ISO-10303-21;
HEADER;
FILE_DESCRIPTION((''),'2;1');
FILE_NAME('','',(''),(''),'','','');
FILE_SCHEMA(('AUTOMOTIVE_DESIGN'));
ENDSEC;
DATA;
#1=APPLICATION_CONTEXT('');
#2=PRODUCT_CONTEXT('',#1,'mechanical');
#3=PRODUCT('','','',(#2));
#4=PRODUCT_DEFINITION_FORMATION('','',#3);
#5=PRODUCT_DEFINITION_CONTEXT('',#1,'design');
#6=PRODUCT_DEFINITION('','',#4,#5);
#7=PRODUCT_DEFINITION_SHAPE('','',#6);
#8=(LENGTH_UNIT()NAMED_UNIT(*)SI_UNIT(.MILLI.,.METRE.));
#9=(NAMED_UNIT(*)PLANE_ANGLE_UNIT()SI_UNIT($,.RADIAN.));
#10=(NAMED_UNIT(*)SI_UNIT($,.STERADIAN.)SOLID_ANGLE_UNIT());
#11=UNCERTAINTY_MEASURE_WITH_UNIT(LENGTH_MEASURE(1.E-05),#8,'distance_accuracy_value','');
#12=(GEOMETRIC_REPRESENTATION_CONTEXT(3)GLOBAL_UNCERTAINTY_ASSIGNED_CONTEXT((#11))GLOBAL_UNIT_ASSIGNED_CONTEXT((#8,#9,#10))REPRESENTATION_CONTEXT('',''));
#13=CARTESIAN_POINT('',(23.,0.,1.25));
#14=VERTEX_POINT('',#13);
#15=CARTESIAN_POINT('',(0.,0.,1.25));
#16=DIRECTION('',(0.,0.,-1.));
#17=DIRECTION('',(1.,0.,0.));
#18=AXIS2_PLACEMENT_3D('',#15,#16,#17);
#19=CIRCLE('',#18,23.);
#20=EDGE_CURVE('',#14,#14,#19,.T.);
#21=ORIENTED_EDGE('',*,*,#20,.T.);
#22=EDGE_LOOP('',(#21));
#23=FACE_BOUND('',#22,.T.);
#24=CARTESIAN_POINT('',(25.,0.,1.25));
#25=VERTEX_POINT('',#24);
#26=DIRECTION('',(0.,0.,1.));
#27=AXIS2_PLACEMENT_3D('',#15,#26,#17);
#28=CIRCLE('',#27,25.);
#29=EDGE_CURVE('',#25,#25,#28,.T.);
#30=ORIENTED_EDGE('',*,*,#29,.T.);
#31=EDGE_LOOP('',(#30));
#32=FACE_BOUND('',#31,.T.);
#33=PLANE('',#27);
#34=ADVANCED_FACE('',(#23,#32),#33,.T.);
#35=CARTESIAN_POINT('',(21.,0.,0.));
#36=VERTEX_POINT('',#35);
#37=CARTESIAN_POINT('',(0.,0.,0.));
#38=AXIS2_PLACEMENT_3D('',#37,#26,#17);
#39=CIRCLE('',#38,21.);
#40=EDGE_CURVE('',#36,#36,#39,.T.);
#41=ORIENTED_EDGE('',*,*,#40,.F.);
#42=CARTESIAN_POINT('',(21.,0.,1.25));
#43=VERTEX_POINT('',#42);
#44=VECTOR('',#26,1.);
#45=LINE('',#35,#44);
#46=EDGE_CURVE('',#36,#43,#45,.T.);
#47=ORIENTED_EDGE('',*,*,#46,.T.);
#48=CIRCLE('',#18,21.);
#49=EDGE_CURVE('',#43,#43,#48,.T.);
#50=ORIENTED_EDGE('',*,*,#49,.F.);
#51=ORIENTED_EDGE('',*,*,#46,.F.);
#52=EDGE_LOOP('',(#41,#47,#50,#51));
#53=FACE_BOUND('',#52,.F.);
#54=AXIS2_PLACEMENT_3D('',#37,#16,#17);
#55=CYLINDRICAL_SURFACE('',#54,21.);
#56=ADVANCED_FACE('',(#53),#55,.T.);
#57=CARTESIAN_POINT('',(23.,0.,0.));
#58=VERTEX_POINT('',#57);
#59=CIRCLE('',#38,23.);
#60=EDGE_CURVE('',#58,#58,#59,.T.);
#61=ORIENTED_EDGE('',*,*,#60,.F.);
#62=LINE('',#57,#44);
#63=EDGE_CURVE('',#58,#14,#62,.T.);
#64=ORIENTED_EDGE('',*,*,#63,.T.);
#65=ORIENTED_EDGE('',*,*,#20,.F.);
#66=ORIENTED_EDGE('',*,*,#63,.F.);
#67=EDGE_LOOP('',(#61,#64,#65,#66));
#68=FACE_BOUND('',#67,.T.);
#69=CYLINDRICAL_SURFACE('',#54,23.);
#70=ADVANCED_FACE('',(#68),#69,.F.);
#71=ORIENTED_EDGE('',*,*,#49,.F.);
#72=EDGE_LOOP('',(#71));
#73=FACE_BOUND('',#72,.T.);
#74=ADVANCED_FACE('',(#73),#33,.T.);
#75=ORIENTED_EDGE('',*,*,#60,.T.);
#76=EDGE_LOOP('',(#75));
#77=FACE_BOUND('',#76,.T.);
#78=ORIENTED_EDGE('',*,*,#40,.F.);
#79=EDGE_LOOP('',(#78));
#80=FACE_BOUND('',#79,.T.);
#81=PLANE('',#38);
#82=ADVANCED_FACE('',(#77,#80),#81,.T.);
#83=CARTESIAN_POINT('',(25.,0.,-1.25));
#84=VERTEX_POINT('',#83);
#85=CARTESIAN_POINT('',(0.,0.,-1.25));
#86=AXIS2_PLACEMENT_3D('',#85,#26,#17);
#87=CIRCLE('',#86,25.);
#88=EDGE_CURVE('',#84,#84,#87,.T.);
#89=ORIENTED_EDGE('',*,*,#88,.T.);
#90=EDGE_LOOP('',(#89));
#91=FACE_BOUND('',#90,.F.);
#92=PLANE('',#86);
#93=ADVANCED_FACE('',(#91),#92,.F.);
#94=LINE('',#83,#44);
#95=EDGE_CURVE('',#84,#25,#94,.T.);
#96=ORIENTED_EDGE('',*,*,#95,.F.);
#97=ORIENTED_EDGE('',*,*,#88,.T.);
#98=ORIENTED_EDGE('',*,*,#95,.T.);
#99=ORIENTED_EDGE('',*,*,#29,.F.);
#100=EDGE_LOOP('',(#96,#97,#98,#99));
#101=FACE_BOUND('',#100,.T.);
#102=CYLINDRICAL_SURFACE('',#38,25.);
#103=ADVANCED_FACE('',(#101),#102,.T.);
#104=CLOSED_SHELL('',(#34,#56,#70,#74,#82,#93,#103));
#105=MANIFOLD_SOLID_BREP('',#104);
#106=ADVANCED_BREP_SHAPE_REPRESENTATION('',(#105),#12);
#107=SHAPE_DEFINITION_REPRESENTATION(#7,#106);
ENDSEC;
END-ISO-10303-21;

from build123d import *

# Parameters (mm, degrees)
F0_R     = 25
F0_R_2   = 23
F0_R_3   = 21
F1_DEPTH = 1.25
F2_DEPTH = 25


with BuildPart() as f1:
    # F0 (on Top) → F1 (new body, symmetric)
    with BuildSketch(Plane.XY):
        Circle(F0_R)
        Circle(F0_R_2, mode=Mode.SUBTRACT)
        Circle(F0_R_2)
        Circle(F0_R_3, mode=Mode.SUBTRACT)
        Circle(F0_R_3)
    extrude(amount=F1_DEPTH, both=True)

    # F0 (on Top) → F2 (cut)
    with BuildSketch(Plane.XY):
        Circle(F0_R_2)
        Circle(F0_R_3, mode=Mode.SUBTRACT)
    extrude(amount=F2_DEPTH, mode=Mode.SUBTRACT)


solid = f1.part
